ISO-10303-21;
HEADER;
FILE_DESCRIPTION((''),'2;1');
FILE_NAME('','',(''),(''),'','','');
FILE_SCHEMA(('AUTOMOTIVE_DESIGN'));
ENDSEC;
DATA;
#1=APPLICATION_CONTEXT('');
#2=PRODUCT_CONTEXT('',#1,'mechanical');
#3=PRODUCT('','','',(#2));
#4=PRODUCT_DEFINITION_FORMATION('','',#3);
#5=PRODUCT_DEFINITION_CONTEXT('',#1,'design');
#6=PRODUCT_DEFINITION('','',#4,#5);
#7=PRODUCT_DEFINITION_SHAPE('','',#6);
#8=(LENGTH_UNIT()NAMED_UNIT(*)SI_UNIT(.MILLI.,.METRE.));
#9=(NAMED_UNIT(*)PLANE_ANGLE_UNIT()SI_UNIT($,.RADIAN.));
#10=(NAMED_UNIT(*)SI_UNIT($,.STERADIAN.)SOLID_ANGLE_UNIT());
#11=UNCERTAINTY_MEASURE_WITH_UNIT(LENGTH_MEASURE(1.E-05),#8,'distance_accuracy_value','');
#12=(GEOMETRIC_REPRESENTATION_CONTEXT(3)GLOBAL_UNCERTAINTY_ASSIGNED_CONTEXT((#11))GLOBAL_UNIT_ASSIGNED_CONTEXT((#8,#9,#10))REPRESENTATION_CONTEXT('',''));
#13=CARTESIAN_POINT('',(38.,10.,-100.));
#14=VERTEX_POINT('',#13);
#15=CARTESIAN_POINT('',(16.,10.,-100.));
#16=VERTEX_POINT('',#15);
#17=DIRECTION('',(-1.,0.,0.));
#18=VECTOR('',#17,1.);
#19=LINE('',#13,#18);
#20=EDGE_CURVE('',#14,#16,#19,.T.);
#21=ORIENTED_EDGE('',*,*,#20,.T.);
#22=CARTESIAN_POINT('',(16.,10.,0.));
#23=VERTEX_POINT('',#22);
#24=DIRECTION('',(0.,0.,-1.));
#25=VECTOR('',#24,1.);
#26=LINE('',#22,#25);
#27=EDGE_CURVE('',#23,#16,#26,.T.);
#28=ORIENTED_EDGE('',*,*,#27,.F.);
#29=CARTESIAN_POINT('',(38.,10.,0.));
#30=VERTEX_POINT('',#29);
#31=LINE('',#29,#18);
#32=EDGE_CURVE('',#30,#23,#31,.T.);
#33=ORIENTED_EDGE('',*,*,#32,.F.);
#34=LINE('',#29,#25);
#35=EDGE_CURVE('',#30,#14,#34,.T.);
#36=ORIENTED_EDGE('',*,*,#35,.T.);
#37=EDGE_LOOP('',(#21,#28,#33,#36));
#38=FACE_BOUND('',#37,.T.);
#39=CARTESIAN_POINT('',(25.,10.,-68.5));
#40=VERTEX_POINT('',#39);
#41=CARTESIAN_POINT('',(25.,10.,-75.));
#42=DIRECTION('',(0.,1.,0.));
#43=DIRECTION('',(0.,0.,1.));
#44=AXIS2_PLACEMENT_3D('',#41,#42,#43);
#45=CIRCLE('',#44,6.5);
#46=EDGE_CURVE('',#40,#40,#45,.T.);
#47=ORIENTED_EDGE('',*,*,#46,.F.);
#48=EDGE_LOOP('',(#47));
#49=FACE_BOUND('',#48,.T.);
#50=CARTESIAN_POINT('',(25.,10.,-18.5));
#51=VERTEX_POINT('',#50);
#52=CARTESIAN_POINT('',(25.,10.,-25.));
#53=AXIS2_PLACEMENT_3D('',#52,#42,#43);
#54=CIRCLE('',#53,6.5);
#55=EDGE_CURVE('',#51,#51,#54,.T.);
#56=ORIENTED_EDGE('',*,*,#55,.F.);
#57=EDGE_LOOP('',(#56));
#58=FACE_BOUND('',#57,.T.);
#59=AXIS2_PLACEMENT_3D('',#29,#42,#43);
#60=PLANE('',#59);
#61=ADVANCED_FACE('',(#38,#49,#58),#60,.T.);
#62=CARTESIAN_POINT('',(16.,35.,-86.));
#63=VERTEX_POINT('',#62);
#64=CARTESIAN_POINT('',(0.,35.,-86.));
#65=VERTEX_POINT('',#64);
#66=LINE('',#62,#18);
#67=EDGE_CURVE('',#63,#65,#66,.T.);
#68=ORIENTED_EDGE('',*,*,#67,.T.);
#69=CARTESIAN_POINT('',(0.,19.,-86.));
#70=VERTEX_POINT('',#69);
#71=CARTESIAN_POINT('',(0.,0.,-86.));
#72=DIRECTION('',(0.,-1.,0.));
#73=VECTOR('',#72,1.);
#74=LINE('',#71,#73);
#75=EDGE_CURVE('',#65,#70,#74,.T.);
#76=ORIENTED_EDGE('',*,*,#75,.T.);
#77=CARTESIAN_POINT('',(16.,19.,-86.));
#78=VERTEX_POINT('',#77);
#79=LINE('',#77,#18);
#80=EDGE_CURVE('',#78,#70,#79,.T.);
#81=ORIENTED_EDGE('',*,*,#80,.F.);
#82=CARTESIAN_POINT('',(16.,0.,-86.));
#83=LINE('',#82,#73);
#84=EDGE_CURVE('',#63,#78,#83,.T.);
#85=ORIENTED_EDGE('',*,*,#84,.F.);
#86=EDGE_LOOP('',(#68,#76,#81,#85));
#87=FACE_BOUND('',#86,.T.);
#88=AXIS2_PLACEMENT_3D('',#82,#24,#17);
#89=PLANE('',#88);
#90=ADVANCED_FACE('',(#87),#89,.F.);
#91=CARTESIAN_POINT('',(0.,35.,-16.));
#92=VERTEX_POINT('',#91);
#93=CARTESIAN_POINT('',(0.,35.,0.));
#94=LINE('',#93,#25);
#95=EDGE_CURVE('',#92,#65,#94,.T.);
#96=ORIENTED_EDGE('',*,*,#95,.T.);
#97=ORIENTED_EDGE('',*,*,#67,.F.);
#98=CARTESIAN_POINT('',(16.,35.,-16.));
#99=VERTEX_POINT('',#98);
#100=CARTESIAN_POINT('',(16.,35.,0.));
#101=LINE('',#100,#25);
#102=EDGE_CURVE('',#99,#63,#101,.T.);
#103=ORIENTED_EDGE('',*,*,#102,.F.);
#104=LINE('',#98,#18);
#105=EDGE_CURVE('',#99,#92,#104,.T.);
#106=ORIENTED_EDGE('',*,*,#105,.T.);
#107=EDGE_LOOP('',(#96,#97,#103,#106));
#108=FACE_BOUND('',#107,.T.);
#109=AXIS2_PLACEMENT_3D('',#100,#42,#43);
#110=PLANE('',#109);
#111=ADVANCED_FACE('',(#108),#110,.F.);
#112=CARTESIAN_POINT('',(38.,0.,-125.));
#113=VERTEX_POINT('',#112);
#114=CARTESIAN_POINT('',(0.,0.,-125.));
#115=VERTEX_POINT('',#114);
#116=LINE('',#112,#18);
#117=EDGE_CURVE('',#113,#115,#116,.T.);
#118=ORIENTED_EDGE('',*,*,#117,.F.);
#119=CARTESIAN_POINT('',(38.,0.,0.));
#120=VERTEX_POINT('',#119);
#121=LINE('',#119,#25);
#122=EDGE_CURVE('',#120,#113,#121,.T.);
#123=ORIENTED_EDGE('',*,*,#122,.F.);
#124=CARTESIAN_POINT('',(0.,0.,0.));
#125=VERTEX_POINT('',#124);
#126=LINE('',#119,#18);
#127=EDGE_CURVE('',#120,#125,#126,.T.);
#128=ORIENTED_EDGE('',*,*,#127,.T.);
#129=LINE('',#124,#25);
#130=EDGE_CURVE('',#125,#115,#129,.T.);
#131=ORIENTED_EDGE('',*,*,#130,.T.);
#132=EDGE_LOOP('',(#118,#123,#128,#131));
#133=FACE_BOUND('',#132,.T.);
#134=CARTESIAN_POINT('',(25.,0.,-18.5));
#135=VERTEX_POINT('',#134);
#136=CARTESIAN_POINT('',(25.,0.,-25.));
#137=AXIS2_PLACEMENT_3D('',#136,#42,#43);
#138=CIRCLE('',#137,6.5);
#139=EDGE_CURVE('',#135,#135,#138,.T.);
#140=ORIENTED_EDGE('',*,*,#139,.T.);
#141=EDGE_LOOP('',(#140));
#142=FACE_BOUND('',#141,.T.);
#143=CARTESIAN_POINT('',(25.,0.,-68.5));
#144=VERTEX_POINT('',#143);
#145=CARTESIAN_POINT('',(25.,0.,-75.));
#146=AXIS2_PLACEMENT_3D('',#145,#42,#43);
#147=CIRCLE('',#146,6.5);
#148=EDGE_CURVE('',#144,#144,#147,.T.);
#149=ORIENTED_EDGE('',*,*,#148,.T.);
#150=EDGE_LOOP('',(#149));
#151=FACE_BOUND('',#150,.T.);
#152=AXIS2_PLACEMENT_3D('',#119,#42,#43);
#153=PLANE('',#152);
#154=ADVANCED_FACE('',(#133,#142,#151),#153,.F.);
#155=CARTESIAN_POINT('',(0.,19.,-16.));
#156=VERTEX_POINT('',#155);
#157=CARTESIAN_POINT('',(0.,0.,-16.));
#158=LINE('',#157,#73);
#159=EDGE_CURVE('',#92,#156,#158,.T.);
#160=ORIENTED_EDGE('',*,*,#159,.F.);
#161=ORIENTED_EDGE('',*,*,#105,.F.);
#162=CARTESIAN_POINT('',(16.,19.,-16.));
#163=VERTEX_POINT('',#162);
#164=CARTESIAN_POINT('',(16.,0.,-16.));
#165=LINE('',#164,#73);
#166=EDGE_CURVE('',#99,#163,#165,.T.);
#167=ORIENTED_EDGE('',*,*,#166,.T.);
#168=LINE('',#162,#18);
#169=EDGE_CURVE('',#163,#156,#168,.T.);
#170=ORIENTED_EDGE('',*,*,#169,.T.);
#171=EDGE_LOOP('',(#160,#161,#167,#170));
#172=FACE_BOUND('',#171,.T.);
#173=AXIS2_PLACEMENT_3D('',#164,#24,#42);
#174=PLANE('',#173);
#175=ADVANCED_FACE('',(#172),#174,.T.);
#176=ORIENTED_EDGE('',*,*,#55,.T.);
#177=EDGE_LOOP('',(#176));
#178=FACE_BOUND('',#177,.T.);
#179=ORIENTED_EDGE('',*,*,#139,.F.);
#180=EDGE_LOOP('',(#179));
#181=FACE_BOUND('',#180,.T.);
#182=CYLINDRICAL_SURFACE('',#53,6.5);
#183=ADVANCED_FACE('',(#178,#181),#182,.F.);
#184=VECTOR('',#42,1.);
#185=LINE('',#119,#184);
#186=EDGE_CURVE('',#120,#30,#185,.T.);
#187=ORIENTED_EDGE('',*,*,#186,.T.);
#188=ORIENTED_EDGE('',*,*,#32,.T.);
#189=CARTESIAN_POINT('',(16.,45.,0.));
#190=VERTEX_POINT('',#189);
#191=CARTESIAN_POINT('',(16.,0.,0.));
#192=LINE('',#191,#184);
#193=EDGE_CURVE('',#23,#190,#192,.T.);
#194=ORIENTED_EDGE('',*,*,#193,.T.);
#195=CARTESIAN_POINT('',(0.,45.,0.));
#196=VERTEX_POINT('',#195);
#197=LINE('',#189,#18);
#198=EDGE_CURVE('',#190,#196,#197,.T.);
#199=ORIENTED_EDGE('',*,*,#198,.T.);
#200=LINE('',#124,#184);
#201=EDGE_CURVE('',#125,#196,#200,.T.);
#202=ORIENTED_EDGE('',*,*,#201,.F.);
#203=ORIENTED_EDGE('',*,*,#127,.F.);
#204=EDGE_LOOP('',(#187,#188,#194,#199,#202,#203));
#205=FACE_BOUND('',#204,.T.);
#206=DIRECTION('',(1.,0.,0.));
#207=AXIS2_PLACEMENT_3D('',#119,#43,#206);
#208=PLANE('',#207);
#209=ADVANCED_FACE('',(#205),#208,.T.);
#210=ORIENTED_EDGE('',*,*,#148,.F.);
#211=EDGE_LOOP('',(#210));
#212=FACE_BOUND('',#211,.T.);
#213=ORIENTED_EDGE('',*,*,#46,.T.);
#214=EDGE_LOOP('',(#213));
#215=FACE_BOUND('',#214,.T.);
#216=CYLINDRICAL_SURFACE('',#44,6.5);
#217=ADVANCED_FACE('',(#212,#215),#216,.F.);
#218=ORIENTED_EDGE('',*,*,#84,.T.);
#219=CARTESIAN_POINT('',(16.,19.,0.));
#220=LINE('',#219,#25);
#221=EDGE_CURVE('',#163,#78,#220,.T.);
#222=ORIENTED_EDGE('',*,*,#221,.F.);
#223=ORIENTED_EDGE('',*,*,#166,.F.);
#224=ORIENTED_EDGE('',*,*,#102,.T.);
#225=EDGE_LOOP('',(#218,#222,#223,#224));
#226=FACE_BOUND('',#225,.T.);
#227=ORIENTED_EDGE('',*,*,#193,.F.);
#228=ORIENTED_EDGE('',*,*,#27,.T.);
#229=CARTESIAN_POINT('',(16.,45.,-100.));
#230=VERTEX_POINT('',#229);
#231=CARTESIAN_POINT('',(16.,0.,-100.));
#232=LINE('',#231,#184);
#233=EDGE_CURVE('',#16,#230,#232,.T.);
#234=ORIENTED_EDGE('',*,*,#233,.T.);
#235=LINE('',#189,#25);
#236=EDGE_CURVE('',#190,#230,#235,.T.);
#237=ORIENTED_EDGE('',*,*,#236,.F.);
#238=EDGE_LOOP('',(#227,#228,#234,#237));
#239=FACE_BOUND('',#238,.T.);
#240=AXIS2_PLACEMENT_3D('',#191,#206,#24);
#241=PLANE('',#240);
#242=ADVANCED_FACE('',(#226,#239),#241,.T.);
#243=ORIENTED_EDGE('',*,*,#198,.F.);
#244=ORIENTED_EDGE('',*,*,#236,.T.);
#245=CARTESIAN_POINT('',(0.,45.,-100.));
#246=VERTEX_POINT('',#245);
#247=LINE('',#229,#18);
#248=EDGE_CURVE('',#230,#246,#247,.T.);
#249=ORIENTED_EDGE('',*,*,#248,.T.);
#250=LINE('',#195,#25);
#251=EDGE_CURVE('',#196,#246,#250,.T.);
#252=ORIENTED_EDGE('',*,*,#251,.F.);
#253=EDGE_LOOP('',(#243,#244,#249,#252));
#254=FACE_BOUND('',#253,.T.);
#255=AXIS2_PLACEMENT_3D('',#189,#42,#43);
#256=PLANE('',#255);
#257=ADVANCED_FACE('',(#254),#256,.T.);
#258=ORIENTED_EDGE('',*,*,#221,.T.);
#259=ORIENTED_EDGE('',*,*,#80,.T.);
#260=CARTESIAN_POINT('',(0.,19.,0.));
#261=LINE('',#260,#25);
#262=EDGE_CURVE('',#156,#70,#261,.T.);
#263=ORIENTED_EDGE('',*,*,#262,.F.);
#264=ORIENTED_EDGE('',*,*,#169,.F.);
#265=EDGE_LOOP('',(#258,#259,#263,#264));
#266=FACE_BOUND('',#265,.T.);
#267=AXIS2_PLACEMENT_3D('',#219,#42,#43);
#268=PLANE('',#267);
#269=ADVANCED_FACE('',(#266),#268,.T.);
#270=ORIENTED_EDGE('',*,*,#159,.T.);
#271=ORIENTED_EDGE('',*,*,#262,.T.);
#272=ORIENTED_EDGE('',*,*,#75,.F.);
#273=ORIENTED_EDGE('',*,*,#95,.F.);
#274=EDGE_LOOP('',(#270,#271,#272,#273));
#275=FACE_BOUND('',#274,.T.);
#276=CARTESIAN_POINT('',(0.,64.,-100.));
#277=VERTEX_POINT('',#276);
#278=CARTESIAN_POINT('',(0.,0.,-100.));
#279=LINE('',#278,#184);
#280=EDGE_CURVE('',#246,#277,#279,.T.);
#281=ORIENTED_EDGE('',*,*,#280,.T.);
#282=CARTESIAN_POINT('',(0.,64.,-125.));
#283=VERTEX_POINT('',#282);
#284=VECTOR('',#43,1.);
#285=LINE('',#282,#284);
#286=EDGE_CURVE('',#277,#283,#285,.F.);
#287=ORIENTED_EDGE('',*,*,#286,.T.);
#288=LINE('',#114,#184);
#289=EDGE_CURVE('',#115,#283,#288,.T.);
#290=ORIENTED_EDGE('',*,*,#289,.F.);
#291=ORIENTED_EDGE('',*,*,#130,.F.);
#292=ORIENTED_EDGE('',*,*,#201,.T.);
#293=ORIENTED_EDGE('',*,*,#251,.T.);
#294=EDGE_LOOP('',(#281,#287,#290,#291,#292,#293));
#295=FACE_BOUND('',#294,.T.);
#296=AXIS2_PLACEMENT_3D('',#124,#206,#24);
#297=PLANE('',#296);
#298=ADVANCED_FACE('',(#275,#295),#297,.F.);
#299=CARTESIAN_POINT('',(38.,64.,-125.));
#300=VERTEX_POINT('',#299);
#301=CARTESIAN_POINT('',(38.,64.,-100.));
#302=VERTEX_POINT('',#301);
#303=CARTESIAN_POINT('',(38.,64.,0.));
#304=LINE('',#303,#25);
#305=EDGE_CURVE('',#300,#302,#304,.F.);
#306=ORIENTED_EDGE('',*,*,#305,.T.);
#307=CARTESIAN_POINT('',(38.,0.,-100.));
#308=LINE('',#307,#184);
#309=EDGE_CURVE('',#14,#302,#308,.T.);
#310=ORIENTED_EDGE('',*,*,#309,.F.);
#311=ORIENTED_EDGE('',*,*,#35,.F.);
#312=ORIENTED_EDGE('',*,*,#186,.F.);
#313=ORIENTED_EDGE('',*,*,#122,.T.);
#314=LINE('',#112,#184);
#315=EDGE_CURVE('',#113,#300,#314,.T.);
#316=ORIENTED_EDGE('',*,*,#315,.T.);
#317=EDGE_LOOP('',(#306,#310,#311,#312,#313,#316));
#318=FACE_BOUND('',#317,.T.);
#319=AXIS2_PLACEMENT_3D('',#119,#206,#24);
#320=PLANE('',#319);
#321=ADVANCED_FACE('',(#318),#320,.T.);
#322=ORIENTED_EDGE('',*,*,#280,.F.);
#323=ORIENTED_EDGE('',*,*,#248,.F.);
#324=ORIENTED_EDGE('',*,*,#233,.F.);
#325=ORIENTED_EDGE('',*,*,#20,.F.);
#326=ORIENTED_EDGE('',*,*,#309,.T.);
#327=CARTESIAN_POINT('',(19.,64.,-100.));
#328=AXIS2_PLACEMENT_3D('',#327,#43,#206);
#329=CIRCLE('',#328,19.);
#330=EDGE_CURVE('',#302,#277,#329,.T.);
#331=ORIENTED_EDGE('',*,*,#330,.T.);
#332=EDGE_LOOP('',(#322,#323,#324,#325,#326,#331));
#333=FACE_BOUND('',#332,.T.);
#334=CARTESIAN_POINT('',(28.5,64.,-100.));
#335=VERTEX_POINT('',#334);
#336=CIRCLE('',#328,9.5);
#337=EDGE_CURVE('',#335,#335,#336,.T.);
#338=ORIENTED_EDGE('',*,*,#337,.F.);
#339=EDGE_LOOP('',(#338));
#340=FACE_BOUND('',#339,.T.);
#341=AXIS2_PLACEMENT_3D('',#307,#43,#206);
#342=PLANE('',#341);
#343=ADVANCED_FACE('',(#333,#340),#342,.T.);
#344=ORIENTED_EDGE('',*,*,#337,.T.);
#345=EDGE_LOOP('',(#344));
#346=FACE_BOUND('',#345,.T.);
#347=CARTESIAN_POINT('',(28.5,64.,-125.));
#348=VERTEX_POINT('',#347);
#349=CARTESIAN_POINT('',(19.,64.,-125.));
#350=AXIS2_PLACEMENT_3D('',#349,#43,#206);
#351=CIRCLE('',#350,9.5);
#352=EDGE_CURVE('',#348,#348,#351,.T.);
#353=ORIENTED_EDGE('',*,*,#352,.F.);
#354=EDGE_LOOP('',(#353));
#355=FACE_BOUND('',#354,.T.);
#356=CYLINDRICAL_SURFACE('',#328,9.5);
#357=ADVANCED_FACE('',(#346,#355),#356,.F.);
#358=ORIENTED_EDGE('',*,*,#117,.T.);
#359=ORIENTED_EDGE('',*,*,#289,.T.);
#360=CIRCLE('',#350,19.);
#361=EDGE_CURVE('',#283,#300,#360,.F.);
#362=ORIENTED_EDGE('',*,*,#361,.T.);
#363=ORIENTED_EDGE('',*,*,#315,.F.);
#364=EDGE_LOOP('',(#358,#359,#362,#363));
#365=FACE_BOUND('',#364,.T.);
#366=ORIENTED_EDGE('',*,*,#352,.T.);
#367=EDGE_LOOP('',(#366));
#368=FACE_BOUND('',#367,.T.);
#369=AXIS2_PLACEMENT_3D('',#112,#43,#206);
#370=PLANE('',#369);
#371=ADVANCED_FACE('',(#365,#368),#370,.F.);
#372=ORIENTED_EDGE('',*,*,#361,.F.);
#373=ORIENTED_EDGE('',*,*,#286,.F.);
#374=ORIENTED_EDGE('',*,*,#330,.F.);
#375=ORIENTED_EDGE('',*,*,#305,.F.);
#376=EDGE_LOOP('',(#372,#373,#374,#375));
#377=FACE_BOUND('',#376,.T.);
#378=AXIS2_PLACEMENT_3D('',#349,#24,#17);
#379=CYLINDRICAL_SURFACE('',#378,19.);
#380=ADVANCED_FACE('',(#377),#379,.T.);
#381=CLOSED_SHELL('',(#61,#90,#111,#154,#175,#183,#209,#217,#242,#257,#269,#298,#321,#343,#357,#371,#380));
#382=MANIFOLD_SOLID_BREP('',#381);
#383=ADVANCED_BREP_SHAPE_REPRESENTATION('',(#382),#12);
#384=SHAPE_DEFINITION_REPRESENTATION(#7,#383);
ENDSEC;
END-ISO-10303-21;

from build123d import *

# Parameters (mm, degrees)
BOSS_EXTRUDE1_DEPTH        = 38
SKETCH1_3_W                = 100
SKETCH1_3_H                = 35
SKETCH1_3_W_2              = 70
SKETCH1_3_H_2              = 16
BOSS_EXTRUDE2_DEPTH        = 16
FILLET1_RADIUS             = 19
FILLET1_LENGTH             = 25
F_19_0_19_DIAMETER_HOLE1_D = 19
F_13_0_13_DIAMETER_HOLE1_D = 13


with BuildPart() as part:
    # Sketch1 → Boss-Extrude1 (new body)
    with BuildSketch(Plane(origin=(0, 0, 0), x_dir=(0, 0, -1), z_dir=(1, 0, 0))):
        Polygon((100, 10), (100, 83), (125, 83), (125, 0), (0, 0), (0, 10), align=None)
    extrude(amount=BOSS_EXTRUDE1_DEPTH)

    # Sketch1<3> → Boss-Extrude2 (add)
    with BuildSketch(Plane(origin=(0, 0, 0), x_dir=(0, 0, -1), z_dir=(1, 0, 0))):
        with Locations((50, 27.5)):
            Rectangle(SKETCH1_3_W, SKETCH1_3_H)
        with Locations((51, 27)):
            Rectangle(SKETCH1_3_W_2, SKETCH1_3_H_2, mode=Mode.SUBTRACT)
    extrude(amount=BOSS_EXTRUDE2_DEPTH)

    # Fillet1: full round fillet: the end face becomes a half cylinder, R = half its width
    fillet1_face = Plane((19, 83, -112.5), x_dir=(0, 0, -1), z_dir=(0, 1, 0))  # on the end face: x along it, z out of the body
    fillet1_slab = fillet1_face.offset(-FILLET1_RADIUS / 2) * Box(FILLET1_LENGTH, 2 * FILLET1_RADIUS, FILLET1_RADIUS, mode=Mode.PRIVATE)  # the body's end, R deep
    fillet1_round = Plane((19, 64, -112.5), x_dir=(0, 1, 0), z_dir=(0, 0, -1)) * Cylinder(FILLET1_RADIUS, FILLET1_LENGTH, mode=Mode.PRIVATE)  # its axis R under the face
    add(fillet1_slab - fillet1_round, mode=Mode.SUBTRACT)

    # Ø19.0 (19) Diameter Hole1 (through all)
    with Locations(Plane(origin=(19, 64, -100), x_dir=(1, 0, 0), z_dir=(0, 0, 1))):
        with Locations((0, 0)):
            Hole(F_19_0_19_DIAMETER_HOLE1_D / 2)

    # Ø13.0 (13) Diameter Hole1 (through all)
    with Locations(Plane(origin=(25, 10, -25), x_dir=(0, 0, 1), z_dir=(0, 1, 0))):
        with Locations((0, 0), (-50, 0)):
            Hole(F_13_0_13_DIAMETER_HOLE1_D / 2)


solid = part.part
